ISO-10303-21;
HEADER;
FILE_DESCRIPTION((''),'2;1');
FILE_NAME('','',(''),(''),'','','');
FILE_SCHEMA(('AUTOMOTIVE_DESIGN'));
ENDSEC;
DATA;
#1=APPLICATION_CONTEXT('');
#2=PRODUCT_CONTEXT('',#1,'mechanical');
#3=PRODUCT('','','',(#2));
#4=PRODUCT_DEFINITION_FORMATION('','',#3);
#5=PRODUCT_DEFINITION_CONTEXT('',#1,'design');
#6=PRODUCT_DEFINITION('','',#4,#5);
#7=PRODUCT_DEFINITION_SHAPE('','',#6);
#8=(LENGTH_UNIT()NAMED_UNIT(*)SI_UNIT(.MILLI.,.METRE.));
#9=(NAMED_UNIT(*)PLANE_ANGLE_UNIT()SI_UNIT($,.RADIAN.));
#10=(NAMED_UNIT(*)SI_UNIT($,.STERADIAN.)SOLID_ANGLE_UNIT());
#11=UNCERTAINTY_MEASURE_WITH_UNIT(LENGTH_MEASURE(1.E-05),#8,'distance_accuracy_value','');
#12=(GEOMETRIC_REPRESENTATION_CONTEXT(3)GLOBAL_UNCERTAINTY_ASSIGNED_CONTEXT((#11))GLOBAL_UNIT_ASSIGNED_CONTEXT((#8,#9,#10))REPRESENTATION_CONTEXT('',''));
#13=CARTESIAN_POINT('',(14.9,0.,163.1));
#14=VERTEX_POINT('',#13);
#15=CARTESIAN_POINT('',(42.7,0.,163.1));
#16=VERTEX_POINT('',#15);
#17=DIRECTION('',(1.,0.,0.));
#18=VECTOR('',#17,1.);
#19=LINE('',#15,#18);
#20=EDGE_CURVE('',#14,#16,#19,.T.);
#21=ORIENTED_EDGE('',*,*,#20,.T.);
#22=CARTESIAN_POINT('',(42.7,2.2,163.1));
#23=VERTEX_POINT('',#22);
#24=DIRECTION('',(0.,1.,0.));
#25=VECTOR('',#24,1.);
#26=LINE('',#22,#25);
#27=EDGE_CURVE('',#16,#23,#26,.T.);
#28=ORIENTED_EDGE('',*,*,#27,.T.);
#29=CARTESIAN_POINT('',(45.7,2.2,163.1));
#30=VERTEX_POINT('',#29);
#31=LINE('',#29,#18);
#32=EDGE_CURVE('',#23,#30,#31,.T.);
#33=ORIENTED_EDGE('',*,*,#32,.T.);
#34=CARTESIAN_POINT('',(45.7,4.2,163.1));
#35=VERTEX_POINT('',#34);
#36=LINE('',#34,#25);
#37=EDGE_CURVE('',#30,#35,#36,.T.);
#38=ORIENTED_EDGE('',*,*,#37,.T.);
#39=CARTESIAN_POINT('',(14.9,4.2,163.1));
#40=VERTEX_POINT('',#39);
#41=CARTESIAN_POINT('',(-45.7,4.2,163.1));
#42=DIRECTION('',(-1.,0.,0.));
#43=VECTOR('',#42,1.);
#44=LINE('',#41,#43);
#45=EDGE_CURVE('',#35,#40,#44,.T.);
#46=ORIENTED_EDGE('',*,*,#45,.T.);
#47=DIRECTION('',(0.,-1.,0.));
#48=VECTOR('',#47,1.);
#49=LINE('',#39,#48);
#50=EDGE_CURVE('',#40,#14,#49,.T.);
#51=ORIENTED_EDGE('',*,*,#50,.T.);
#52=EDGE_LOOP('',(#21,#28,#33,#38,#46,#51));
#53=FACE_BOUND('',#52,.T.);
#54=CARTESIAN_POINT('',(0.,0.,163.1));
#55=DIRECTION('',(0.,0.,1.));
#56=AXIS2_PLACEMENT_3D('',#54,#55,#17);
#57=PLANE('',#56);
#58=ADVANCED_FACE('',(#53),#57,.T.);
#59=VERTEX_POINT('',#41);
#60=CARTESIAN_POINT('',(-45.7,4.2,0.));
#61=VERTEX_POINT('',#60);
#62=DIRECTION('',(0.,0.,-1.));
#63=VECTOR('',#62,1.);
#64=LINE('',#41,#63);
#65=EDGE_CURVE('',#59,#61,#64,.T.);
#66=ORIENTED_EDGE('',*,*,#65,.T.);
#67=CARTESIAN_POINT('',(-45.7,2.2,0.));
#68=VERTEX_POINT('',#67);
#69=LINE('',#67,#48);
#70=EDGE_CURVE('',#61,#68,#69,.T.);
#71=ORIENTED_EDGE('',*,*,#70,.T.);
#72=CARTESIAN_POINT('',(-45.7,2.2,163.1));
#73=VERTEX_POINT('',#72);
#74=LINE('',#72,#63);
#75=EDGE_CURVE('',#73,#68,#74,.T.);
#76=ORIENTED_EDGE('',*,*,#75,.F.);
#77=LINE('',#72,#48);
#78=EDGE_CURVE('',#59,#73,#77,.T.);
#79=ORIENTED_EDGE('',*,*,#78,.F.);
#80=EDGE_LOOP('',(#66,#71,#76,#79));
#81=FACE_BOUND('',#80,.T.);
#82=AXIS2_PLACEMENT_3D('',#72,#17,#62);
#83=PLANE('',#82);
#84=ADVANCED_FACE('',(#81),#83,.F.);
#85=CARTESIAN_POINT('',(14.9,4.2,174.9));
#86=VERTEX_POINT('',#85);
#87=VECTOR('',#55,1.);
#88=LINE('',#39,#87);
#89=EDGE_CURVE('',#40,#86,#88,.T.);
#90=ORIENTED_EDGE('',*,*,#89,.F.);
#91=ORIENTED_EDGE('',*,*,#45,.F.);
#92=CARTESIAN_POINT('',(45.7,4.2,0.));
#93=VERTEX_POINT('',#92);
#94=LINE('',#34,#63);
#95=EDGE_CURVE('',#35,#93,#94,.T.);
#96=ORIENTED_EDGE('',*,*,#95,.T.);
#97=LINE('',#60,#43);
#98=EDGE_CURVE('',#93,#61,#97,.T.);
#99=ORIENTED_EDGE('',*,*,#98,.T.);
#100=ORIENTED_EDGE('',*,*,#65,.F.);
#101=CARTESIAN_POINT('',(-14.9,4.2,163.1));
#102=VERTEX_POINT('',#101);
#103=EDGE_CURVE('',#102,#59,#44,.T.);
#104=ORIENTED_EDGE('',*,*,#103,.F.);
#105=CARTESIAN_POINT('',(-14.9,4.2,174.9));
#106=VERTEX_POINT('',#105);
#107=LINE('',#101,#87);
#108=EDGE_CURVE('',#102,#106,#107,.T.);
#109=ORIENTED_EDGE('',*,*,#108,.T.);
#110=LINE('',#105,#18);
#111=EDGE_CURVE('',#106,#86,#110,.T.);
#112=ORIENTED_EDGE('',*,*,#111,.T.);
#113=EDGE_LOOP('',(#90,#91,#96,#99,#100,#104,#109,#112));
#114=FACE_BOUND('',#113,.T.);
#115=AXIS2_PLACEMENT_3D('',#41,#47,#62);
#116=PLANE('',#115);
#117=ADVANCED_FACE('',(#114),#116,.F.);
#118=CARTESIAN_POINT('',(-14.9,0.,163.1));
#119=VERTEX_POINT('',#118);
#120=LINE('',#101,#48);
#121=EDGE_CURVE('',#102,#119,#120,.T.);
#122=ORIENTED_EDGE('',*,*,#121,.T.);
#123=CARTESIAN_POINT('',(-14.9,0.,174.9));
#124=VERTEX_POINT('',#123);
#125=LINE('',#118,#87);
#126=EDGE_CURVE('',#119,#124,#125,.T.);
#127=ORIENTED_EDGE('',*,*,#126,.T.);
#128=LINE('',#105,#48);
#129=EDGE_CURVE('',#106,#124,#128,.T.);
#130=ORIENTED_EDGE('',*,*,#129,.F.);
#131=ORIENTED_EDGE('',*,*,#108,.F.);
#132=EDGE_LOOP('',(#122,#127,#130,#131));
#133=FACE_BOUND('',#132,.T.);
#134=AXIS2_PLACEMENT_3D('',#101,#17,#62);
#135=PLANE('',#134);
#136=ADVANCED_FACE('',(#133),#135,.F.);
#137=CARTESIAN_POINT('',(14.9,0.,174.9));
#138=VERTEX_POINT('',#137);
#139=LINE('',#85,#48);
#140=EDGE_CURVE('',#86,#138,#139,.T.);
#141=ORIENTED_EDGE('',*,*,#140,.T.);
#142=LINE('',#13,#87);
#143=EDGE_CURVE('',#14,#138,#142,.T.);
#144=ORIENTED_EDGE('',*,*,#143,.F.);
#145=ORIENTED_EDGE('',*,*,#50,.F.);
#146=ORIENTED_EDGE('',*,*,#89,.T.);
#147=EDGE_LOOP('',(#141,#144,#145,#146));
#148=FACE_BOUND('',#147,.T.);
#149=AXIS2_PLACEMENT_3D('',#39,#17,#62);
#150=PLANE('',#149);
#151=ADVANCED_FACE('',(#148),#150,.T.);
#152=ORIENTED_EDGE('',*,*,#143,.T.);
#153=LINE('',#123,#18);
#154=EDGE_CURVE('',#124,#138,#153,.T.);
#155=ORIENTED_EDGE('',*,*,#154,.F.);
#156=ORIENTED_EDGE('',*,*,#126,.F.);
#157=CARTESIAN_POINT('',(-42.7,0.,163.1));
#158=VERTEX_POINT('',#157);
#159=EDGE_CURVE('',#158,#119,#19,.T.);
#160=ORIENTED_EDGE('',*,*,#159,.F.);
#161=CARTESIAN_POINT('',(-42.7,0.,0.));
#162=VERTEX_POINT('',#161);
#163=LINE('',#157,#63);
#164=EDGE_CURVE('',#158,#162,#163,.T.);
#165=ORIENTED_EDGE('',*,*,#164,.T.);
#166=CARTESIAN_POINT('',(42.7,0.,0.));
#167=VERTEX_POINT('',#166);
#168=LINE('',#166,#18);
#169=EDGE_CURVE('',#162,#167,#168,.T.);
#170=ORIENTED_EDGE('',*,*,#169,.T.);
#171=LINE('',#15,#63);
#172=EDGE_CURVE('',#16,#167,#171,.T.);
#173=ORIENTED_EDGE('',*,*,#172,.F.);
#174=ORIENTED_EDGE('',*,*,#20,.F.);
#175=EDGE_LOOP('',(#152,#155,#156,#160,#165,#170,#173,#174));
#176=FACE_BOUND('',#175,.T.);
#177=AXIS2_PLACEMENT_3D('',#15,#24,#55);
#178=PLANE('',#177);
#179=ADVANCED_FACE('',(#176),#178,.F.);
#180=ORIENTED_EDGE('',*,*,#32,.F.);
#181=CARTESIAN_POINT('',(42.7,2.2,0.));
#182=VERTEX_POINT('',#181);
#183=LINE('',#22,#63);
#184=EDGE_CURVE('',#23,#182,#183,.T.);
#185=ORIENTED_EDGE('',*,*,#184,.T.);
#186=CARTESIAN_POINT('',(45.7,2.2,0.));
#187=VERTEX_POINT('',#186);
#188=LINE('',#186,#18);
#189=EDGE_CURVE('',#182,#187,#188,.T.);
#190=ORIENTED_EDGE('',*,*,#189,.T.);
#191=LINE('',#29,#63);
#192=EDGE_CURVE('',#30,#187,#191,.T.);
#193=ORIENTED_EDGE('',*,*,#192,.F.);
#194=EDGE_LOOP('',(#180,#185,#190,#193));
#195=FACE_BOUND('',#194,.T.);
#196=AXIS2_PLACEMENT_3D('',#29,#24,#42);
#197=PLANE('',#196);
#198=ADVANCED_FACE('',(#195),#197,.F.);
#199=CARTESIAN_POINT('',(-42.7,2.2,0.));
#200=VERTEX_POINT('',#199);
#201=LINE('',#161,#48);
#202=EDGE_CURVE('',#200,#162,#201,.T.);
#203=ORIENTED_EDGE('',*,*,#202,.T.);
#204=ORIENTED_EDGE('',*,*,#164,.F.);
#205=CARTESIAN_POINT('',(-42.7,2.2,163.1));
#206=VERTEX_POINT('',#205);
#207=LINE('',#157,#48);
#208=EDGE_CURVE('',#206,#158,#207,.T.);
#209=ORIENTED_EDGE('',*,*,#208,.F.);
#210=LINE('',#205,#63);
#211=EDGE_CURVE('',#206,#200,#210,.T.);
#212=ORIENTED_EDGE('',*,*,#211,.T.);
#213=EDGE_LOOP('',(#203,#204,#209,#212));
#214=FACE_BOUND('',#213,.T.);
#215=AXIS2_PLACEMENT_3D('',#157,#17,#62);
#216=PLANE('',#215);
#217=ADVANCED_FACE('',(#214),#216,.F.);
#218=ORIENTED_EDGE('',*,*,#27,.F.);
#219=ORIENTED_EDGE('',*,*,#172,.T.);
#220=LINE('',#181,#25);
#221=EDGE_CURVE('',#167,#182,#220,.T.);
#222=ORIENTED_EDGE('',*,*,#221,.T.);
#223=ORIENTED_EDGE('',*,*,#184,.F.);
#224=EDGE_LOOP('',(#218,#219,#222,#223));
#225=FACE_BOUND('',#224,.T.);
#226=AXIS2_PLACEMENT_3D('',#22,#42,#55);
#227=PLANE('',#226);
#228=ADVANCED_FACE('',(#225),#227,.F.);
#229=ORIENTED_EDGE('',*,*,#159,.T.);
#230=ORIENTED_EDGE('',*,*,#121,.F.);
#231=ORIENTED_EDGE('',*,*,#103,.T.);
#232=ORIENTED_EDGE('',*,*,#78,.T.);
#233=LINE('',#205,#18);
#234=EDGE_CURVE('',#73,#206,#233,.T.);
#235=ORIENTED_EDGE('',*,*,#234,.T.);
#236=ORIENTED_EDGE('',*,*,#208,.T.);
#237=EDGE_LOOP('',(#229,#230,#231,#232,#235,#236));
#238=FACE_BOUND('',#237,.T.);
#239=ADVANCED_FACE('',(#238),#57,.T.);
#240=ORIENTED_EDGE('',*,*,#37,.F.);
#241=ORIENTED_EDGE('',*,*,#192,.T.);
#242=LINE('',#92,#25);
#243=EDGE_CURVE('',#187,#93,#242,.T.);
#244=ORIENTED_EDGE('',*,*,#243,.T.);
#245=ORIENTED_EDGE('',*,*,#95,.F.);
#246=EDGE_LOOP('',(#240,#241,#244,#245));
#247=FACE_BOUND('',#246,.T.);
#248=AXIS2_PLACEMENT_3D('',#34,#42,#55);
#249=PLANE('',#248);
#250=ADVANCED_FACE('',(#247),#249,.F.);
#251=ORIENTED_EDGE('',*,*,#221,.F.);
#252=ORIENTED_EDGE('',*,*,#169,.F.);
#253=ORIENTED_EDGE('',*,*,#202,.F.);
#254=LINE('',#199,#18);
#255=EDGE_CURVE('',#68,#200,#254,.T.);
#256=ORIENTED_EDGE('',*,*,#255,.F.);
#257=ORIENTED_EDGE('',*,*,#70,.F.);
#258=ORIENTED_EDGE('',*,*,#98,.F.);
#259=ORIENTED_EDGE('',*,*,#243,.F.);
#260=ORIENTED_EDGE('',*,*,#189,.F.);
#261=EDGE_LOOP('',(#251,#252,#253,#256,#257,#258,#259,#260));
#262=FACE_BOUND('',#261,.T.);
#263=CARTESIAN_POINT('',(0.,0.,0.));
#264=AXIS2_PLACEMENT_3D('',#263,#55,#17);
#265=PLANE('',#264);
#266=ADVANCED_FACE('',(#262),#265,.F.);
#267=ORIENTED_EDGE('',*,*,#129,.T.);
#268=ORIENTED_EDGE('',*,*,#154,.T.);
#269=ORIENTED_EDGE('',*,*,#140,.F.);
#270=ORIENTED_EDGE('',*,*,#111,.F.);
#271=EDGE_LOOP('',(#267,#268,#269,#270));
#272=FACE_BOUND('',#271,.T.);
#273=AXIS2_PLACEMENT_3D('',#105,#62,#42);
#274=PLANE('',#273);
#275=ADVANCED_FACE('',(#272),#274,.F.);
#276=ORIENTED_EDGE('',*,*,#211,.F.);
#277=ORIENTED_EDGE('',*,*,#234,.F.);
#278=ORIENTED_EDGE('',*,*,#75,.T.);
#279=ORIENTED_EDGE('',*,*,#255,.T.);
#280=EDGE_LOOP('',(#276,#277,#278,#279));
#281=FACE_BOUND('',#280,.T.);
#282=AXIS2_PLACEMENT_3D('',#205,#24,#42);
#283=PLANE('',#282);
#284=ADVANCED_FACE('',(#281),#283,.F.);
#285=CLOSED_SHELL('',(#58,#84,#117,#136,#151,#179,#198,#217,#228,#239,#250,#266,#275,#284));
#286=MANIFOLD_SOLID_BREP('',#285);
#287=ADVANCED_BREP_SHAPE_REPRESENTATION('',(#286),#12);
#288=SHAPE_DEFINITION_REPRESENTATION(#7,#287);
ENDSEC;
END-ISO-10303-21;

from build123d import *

# Parameters (mm, degrees)
BOSS_EXTRUDE1_DEPTH = 163.1
SKETCH3_W           = 29.8
SKETCH3_H           = 11.8
BOSS_EXTRUDE2_DEPTH = 4.2


with BuildPart() as part:
    # Sketch2 → Boss-Extrude1 (new body)
    with BuildSketch(Plane.XY):
        Polygon((42.7, 0), (-42.7, 0), (-42.7, 2.2), (-45.7, 2.2), (-45.7, 4.2), (45.7, 4.2), (45.7, 2.2), (42.7, 2.2), align=None)
    extrude(amount=BOSS_EXTRUDE1_DEPTH)

    # Sketch3 → Boss-Extrude2 (add)
    with BuildSketch(Plane.XZ):
        with Locations((0, 169)):
            Rectangle(SKETCH3_W, SKETCH3_H)
    extrude(amount=-BOSS_EXTRUDE2_DEPTH)


solid = part.part
